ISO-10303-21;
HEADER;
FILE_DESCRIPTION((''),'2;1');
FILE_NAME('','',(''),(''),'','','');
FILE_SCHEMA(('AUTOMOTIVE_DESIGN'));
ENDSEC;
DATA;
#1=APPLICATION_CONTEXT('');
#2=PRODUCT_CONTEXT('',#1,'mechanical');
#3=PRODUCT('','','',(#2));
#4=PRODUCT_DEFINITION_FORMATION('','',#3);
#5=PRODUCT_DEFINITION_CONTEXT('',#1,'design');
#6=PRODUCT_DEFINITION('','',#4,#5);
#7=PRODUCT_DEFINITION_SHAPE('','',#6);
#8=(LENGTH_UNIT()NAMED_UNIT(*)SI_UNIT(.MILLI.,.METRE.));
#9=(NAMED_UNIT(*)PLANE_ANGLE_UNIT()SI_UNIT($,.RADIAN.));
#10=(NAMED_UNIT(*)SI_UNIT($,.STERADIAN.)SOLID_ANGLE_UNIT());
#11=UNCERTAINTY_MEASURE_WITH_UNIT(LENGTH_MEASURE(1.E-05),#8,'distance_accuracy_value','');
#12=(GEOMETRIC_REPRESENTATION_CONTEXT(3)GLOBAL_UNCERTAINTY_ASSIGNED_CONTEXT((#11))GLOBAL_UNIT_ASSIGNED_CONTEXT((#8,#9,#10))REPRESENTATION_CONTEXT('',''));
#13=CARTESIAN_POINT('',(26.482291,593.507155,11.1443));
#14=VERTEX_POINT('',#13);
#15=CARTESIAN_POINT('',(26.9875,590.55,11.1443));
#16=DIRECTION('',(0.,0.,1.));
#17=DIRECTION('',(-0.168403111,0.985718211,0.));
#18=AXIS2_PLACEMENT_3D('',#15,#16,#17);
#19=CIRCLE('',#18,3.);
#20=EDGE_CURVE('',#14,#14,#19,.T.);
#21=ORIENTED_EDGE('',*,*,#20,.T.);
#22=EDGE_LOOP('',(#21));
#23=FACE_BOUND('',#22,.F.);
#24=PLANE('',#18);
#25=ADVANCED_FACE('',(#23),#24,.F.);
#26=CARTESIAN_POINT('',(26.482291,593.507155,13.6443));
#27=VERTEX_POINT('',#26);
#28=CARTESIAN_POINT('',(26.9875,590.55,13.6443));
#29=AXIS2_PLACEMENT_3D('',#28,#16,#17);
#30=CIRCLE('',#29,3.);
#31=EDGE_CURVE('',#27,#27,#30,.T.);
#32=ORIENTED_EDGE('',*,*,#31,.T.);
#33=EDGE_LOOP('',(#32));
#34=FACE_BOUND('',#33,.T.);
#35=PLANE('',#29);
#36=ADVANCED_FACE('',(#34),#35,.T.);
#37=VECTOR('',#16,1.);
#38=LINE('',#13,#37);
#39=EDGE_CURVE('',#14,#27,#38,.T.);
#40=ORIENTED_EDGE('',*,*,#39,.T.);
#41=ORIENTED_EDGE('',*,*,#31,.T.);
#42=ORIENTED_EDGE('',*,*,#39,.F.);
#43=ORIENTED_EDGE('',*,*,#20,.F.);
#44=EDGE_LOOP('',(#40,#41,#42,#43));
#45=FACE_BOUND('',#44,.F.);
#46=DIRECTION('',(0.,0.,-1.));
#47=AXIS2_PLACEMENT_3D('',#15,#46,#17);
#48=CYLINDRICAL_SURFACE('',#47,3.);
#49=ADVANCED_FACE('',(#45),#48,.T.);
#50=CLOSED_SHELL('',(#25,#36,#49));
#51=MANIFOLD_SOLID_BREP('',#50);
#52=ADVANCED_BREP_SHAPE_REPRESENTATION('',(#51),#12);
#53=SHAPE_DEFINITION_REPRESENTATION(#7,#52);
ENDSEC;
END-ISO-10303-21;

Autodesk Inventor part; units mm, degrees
ref_plane "YZ Plane" through (0, 0, 0) normal (1, 0, 0) x (0, 1, 0)
ref_plane "XZ Plane" through (0, 0, 0) normal (0, 1, 0) x (-1, 0, 0)
ref_plane "XY Plane" through (0, 0, 0) normal (0, 0, 1) x (1, 0, 0)
ref_plane "Work Plane1" through (26.9875, 590.55, 11.1443) normal (0, 0, 1) x (-0.1684, 0.9857, 0)
sketch "Sketch1" plane through (26.9875, 590.55, 11.1443) normal (0, 0, 1) x (-0.1684, 0.9857, 0)
  circle A0 centre (0, 0) radius 3 projected
  point P0 (-577.5774, 126.0235)
extrude "Extrusion1" add sketch "Sketch1" along normal blind 2.5
properties part number "Magnet"
